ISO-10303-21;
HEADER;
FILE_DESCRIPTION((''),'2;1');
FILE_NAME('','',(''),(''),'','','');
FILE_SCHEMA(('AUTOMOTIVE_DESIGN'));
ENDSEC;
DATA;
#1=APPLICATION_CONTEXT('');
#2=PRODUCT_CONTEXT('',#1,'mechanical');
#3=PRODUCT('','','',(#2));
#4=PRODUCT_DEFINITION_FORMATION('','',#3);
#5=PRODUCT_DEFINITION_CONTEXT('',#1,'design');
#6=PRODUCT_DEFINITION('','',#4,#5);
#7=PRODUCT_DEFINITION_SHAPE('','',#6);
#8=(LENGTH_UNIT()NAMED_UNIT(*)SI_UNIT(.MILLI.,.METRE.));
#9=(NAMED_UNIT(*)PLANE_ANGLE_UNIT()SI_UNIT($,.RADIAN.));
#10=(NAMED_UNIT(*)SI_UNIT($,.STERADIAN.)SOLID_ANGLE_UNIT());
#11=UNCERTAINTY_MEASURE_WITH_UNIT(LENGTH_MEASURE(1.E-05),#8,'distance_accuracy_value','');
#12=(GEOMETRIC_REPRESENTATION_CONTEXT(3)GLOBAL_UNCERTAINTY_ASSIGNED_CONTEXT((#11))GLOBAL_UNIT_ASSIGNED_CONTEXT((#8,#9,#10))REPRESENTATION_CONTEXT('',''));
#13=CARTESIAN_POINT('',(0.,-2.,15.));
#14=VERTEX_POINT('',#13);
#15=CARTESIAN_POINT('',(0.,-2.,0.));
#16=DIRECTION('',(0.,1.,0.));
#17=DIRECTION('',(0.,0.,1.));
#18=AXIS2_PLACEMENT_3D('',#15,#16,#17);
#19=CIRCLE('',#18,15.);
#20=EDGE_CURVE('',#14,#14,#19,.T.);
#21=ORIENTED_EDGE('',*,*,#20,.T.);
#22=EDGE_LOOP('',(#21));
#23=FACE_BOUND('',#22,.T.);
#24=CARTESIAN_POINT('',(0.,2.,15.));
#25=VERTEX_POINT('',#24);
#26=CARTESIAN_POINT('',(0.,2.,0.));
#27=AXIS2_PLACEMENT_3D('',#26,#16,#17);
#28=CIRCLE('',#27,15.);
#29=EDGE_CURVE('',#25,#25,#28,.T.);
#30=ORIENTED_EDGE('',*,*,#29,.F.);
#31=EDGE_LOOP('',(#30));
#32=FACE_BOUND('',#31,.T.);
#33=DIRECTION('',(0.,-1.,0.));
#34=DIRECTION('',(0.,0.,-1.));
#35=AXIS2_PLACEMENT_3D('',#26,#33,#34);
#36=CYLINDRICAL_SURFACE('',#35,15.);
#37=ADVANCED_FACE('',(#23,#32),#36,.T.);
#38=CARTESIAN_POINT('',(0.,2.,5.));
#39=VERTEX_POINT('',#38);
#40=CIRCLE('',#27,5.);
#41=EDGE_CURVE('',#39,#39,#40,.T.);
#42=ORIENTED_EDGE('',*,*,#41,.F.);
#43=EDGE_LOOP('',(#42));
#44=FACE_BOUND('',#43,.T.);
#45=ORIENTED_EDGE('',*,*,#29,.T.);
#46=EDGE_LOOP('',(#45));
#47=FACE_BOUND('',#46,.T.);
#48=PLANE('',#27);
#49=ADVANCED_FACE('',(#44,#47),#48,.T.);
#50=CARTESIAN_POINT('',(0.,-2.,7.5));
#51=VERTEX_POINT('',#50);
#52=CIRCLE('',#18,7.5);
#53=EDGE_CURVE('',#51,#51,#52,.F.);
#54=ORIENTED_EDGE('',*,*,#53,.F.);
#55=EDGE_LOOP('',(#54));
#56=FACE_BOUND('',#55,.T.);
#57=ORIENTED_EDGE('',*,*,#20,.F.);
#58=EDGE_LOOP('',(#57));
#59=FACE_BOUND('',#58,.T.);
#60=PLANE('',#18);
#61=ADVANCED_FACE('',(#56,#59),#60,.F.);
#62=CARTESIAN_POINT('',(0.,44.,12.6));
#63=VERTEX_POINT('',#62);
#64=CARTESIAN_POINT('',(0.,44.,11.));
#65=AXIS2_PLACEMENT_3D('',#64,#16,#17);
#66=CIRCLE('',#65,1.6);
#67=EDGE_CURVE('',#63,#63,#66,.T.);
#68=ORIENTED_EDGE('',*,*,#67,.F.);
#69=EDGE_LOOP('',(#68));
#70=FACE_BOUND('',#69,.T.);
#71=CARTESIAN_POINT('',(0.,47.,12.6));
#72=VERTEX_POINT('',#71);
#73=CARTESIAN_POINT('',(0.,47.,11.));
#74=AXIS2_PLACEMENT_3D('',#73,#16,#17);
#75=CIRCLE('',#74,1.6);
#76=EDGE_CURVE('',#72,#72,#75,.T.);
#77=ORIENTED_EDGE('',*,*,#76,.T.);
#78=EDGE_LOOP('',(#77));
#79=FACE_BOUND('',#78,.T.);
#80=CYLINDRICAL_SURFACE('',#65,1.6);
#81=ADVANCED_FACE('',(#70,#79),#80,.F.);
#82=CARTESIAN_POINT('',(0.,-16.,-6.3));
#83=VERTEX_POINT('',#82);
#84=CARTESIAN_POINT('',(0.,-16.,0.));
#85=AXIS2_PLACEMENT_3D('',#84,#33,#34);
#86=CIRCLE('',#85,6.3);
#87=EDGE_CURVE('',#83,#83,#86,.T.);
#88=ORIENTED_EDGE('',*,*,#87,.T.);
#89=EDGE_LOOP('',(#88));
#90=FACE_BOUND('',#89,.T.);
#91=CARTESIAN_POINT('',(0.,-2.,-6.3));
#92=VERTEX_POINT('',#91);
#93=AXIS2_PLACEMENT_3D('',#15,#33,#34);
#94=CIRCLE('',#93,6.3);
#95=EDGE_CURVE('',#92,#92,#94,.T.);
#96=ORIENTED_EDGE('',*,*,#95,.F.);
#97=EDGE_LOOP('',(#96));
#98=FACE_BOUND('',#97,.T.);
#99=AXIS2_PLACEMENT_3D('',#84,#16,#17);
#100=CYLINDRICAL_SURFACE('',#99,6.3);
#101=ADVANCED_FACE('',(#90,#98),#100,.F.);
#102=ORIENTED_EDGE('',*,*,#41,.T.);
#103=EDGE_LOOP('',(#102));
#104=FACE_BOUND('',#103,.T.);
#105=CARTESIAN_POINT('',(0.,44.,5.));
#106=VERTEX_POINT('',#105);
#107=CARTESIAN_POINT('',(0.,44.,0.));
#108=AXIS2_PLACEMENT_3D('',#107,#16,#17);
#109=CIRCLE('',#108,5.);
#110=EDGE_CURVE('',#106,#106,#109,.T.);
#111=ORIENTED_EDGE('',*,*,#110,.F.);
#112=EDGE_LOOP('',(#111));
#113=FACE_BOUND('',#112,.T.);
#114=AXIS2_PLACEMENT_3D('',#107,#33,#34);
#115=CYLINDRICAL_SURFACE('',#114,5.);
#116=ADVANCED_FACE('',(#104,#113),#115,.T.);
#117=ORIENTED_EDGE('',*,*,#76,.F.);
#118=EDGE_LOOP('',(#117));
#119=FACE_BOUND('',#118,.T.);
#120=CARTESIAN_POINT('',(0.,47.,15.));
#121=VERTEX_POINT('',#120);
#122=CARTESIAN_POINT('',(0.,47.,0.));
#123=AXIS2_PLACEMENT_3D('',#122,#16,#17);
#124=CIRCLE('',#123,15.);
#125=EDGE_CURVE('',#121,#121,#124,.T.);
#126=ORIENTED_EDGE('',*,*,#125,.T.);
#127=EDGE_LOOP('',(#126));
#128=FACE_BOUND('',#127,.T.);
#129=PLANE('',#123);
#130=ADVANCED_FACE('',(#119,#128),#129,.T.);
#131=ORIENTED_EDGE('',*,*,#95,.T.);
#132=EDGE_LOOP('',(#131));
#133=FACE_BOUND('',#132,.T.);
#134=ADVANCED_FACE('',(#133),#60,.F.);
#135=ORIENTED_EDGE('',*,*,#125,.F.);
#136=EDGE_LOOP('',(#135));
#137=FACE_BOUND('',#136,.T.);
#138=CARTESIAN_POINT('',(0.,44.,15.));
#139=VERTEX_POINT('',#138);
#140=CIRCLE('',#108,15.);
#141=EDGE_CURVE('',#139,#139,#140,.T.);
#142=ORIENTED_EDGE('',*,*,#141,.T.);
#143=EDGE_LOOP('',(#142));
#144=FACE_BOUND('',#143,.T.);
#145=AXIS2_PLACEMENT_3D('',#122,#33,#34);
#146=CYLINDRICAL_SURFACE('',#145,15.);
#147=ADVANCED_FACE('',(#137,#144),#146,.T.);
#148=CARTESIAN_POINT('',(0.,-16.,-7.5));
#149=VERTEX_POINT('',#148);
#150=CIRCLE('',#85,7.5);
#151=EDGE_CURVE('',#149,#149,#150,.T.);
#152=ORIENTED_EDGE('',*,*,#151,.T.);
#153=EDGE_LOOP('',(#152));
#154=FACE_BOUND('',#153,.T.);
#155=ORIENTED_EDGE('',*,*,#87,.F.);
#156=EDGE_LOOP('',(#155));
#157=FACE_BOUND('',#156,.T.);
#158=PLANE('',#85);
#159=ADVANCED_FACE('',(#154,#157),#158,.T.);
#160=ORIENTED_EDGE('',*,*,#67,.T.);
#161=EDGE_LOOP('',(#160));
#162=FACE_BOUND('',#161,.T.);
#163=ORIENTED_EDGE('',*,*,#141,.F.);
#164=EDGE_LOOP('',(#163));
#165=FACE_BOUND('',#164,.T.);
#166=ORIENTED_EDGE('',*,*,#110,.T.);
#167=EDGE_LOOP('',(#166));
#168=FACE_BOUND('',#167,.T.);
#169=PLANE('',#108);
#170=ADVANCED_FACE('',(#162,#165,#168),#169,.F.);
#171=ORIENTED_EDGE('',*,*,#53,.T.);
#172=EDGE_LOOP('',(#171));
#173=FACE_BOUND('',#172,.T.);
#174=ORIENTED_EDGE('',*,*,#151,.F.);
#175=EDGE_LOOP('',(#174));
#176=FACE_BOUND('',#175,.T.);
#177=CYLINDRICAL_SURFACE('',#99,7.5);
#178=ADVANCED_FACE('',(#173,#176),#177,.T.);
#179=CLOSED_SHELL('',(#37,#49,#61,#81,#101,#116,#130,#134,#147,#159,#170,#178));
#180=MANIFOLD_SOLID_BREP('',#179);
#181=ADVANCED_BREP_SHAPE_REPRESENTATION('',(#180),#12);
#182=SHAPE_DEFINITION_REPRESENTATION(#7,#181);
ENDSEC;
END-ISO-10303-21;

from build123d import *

# Parameters (mm, degrees)
SKETCH1_R           = 15
BOSS_EXTRUDE1_DEPTH = 2
SKETCH2_R           = 7.5
SKETCH2_R_2         = 6.3
BOSS_EXTRUDE2_DEPTH = 14
SKETCH4_R           = 5
BOSS_EXTRUDE3_DEPTH = 42
SKETCH5_R           = 15
BOSS_EXTRUDE4_DEPTH = 3
SKETCH6_R           = 1.6
CUT_EXTRUDE1_DEPTH  = 3


with BuildPart() as part:
    # Sketch1 → Boss-Extrude1 (new body, symmetric)
    with BuildSketch(Plane(origin=(0, 0, 0), x_dir=(1, 0, 0), z_dir=(0, 1, 0))):
        Circle(SKETCH1_R)
    extrude(amount=BOSS_EXTRUDE1_DEPTH, both=True)

    # Sketch2 → Boss-Extrude2 (add)
    with BuildSketch(Plane.XZ.offset(2)):
        Circle(SKETCH2_R)
        Circle(SKETCH2_R_2, mode=Mode.SUBTRACT)
    extrude(amount=BOSS_EXTRUDE2_DEPTH)

    # Sketch4 → Boss-Extrude3 (add)
    with BuildSketch(Plane(origin=(0, 2, 0), x_dir=(1, 0, 0), z_dir=(0, 1, 0))):
        Circle(SKETCH4_R)
    extrude(amount=BOSS_EXTRUDE3_DEPTH)

    # Sketch5 → Boss-Extrude4 (add)
    with BuildSketch(Plane(origin=(0, 44, 0), x_dir=(1, 0, 0), z_dir=(0, 1, 0))):
        Circle(SKETCH5_R)
    extrude(amount=BOSS_EXTRUDE4_DEPTH)

    # Sketch6 → Cut-Extrude1 (cut)
    with BuildSketch(Plane(origin=(0, 47, 0), x_dir=(1, 0, 0), z_dir=(0, 1, 0))):
        with Locations((0, -11)):
            Circle(SKETCH6_R)
    extrude(amount=-CUT_EXTRUDE1_DEPTH, mode=Mode.SUBTRACT)


solid = part.part
